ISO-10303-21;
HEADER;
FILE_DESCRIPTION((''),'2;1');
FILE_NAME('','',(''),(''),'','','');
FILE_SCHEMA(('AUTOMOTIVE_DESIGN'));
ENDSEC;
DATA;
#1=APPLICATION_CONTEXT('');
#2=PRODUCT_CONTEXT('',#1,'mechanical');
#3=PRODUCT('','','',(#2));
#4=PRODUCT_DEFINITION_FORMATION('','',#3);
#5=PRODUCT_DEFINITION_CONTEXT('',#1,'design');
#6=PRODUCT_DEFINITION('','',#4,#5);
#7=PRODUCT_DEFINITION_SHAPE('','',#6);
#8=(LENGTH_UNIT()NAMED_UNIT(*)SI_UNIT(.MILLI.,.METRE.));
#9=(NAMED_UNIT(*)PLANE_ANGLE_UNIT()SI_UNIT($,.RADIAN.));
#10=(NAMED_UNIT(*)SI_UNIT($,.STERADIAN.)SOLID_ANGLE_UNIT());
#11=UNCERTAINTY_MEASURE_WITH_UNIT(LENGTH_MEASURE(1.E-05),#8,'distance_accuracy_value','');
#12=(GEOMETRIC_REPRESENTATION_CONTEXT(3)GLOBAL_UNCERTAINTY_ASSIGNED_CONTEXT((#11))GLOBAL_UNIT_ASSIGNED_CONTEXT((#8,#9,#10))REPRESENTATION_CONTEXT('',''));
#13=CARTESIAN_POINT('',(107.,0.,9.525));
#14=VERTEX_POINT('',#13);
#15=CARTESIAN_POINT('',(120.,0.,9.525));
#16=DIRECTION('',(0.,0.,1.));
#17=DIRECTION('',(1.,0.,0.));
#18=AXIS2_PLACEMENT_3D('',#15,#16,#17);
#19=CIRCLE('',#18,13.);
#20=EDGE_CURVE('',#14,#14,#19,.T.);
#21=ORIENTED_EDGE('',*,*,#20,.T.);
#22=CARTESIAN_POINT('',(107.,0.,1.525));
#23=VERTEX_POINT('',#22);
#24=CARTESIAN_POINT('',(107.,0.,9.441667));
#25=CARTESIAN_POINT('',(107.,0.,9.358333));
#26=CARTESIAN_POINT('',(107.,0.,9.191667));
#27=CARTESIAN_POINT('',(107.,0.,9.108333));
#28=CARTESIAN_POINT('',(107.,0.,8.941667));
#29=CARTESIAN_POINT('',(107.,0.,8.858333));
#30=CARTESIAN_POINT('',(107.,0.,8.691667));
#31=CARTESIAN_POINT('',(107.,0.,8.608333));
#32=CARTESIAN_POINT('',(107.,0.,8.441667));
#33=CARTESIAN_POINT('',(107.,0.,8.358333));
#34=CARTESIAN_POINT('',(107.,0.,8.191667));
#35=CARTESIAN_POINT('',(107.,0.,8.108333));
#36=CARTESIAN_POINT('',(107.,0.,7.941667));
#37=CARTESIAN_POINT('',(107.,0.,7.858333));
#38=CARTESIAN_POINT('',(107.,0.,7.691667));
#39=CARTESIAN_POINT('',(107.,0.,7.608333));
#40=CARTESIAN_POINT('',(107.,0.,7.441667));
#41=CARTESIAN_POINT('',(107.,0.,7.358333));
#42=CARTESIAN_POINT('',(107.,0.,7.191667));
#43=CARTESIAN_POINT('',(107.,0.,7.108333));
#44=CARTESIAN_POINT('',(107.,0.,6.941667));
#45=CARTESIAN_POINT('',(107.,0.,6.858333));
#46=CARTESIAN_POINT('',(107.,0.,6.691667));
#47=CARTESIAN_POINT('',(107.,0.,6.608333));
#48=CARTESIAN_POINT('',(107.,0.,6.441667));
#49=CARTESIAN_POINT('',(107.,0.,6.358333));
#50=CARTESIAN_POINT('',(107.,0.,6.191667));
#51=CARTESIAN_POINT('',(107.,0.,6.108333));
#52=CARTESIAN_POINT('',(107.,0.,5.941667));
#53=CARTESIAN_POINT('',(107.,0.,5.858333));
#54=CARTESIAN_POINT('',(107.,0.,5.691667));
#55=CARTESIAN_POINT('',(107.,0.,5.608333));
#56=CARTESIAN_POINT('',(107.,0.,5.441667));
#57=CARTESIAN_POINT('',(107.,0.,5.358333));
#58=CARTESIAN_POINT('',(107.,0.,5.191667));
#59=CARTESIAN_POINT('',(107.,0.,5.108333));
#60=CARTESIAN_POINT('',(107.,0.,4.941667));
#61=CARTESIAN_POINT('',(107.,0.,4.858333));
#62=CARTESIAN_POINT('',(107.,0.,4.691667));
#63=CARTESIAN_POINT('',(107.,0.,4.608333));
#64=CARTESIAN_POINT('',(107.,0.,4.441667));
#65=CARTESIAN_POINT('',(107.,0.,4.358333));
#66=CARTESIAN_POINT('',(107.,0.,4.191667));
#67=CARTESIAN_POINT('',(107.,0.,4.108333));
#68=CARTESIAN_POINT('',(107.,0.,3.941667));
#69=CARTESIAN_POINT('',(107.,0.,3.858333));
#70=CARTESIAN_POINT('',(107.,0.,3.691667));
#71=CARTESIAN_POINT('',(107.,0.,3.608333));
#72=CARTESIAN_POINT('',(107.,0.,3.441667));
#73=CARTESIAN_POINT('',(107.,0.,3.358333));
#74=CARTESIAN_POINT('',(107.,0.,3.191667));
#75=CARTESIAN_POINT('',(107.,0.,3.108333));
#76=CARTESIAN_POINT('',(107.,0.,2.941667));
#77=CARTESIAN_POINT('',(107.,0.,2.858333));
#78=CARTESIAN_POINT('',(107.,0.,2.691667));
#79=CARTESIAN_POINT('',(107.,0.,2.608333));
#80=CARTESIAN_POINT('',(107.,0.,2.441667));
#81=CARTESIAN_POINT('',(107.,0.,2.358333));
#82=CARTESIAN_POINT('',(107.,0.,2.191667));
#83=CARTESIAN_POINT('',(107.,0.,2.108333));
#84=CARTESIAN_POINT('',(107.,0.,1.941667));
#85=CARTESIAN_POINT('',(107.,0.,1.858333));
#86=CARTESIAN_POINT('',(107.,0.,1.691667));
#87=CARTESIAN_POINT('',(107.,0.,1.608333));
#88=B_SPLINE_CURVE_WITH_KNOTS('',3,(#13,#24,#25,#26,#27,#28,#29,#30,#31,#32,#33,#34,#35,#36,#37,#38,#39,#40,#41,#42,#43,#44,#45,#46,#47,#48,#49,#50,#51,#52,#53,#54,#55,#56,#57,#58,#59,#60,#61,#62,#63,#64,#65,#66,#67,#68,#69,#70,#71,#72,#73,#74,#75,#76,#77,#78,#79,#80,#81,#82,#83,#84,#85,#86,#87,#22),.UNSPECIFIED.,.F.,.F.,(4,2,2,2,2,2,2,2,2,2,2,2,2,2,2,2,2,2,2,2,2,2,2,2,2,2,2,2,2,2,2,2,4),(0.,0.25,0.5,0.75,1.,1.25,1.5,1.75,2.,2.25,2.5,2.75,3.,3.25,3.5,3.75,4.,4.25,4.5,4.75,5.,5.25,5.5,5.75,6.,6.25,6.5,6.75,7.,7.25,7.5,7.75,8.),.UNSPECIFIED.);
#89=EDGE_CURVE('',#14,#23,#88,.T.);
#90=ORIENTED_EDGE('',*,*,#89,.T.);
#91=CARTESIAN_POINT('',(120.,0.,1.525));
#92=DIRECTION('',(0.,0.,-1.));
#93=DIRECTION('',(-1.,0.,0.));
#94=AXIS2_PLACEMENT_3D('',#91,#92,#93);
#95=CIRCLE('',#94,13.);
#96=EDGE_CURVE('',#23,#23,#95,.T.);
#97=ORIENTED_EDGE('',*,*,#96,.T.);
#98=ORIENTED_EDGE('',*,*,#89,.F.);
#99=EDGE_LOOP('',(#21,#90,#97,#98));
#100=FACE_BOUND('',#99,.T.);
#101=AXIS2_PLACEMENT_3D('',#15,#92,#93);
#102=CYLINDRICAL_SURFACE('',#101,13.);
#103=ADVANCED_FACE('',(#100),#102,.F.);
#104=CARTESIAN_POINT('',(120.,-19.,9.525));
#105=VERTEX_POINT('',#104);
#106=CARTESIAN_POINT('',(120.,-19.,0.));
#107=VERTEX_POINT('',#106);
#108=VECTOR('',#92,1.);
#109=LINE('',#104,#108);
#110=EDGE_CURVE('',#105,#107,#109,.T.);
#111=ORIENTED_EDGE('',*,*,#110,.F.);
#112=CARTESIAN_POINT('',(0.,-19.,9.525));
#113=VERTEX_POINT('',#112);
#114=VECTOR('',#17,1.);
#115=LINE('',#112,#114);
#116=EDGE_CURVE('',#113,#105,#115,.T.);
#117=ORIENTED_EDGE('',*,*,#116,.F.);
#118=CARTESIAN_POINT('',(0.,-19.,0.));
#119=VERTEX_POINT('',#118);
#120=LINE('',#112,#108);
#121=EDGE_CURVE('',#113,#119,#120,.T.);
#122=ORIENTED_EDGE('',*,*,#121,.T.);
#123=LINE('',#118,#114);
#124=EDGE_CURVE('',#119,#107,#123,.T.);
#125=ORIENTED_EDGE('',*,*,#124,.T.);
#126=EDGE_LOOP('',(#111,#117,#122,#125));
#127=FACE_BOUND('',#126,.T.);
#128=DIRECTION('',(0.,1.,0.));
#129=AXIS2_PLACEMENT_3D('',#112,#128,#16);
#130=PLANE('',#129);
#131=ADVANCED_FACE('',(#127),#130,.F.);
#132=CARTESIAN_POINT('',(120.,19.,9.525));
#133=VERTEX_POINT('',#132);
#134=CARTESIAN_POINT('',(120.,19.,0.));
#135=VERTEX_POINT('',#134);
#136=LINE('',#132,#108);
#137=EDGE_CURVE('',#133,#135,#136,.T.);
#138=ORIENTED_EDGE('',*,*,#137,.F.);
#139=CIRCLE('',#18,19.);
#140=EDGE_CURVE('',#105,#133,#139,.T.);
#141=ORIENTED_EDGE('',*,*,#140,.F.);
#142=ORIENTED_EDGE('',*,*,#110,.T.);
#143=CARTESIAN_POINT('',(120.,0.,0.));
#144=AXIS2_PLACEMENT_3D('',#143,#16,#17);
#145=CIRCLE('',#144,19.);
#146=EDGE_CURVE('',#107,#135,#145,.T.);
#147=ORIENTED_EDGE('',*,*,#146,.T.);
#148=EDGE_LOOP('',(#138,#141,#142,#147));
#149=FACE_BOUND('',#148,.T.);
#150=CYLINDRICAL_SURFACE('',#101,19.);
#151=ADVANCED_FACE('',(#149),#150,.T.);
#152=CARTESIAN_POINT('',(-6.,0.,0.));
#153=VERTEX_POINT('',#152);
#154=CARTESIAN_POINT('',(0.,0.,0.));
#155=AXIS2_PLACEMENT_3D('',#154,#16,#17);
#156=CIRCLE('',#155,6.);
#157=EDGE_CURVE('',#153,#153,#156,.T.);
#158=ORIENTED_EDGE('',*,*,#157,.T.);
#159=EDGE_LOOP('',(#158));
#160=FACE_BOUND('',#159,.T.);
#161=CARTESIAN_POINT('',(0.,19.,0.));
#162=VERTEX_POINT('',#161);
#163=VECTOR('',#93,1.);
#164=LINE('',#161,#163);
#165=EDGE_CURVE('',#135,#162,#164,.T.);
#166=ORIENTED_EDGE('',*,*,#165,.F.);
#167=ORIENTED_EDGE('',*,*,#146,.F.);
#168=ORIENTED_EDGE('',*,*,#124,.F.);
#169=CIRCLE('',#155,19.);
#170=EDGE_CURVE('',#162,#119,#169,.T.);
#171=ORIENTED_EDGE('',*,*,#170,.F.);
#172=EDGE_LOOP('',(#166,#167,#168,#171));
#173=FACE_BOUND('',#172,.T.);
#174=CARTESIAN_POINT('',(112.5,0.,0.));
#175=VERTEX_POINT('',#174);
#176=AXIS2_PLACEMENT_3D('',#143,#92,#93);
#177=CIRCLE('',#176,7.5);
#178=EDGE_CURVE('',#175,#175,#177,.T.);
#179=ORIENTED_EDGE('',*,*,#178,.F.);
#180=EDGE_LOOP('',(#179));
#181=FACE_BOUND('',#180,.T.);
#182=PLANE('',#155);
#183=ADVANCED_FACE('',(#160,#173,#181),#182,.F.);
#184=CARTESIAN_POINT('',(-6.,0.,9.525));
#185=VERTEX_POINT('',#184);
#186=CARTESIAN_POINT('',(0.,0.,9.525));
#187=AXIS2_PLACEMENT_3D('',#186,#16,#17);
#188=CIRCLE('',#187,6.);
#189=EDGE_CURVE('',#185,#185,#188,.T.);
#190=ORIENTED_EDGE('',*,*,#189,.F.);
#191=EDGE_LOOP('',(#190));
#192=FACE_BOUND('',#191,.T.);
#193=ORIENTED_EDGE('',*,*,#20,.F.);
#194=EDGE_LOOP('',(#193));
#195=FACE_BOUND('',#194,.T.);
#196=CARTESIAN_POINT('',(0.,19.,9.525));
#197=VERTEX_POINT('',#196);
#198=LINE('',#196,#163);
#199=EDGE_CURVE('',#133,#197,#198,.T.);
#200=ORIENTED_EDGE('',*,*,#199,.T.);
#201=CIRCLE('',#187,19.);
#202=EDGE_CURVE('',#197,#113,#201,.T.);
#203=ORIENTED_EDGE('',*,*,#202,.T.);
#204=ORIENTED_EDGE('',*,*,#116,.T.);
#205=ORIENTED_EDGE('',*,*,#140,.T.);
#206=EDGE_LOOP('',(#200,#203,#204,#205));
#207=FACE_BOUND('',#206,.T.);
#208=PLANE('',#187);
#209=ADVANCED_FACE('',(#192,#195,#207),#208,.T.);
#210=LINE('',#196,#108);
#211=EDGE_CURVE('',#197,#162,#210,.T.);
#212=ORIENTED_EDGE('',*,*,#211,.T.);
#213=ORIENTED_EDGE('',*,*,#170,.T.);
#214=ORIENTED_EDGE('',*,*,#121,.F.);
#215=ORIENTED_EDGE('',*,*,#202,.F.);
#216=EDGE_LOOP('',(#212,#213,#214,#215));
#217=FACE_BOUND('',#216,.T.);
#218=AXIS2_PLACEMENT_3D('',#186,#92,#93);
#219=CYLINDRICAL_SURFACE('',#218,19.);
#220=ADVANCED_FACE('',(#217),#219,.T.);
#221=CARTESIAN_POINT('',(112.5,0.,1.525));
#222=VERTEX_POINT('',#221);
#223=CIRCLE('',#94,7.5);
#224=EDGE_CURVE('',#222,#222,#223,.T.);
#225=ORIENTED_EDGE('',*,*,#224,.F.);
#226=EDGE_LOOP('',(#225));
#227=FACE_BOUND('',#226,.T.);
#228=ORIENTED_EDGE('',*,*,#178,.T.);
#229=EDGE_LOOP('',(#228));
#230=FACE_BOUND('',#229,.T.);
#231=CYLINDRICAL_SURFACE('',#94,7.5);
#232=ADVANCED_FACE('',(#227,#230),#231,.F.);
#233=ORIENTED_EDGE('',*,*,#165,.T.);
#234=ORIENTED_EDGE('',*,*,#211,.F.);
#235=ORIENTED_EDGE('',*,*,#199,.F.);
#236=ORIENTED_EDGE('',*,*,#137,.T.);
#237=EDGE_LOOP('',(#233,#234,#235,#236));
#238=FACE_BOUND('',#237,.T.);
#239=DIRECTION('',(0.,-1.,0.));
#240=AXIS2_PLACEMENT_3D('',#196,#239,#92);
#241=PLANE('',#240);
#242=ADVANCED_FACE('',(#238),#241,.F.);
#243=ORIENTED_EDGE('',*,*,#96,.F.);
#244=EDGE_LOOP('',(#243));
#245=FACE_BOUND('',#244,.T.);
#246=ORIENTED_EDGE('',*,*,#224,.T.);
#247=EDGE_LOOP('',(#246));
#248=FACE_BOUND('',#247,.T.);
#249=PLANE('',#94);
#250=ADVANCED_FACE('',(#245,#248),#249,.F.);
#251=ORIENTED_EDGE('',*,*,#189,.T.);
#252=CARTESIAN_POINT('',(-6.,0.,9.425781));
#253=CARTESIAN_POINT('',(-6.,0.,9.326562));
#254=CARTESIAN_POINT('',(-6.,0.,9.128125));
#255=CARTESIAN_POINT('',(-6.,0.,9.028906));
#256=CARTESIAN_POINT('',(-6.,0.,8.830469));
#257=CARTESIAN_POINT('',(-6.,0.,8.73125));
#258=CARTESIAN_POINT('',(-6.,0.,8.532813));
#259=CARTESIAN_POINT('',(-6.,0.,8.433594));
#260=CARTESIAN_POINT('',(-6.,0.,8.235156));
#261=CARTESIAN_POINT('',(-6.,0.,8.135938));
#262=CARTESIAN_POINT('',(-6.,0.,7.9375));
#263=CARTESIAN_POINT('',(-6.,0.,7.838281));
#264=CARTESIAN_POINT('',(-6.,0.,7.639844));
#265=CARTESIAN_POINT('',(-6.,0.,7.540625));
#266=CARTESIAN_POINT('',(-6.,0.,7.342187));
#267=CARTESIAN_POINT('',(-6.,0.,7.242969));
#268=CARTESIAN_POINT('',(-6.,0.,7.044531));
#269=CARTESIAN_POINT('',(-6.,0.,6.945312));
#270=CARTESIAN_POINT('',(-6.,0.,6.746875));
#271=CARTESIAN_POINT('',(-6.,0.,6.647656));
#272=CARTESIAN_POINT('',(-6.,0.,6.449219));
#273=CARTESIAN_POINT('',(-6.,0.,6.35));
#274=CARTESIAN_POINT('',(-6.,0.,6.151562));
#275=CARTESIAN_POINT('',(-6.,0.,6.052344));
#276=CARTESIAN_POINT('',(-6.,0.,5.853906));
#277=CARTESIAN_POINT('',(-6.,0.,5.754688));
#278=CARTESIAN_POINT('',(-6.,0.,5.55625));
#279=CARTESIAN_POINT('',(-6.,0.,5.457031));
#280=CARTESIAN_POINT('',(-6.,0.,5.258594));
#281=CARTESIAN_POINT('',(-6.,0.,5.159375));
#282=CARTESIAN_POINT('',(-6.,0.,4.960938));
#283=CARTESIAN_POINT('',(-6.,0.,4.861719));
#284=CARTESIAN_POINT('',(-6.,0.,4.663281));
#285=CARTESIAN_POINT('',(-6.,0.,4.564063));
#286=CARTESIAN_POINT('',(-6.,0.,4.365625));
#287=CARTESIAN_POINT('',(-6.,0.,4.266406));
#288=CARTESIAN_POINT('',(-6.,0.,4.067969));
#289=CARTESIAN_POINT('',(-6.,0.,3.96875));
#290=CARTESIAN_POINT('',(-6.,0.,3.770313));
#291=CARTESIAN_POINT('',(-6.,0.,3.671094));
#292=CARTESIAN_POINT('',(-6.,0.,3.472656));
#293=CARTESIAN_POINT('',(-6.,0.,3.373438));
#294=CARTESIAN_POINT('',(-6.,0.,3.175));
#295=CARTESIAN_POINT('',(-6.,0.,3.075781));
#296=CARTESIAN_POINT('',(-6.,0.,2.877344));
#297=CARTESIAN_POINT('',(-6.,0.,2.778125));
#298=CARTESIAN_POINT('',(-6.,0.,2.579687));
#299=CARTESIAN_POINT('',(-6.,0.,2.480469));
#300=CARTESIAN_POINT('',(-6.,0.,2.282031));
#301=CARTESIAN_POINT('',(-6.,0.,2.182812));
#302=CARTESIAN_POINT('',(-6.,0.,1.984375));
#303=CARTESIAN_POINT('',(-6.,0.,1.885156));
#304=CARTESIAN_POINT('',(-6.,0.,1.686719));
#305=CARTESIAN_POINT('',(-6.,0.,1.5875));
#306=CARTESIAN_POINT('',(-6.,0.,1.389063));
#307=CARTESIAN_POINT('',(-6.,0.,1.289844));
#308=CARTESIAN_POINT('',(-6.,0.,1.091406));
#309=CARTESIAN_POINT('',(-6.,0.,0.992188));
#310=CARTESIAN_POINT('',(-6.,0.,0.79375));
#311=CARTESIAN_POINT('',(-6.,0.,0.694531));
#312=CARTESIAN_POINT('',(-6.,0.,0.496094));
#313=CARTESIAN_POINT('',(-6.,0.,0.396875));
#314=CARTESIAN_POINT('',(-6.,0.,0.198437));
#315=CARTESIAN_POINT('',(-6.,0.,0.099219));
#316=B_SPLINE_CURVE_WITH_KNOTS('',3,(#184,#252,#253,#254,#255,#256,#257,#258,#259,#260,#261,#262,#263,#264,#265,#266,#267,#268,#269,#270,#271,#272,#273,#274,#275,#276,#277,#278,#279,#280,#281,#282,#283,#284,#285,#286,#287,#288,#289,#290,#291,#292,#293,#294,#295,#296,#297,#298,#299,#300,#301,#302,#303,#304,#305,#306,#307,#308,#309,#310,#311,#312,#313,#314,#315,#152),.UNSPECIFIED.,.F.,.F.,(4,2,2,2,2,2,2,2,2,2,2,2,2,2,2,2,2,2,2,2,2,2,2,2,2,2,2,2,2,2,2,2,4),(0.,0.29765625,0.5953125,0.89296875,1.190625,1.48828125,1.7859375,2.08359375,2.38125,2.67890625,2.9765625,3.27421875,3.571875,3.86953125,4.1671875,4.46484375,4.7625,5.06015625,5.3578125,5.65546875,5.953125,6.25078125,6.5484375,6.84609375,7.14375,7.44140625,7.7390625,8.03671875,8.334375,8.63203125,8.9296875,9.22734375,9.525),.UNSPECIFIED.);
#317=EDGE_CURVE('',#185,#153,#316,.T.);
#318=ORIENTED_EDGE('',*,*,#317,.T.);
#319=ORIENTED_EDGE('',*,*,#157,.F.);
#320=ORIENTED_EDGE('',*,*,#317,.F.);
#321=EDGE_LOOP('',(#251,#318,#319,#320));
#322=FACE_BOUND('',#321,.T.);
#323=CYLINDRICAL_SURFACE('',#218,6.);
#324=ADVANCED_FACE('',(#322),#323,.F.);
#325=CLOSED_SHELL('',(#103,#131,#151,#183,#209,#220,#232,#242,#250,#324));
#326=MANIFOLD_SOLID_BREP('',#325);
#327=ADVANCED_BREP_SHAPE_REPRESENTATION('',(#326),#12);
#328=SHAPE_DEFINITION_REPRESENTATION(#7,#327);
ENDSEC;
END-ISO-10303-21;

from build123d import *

# Parameters (mm, degrees)
CROQUIS1_R              = 6
CROQUIS1_R_2            = 13
SALIENTE_EXTRUIR1_DEPTH = 9.525
CROQUIS2_R              = 13
CROQUIS2_R_2            = 7.5
SALIENTE_EXTRUIR2_DEPTH = 1.525


with BuildPart() as part:
    # Croquis1 → Saliente-Extruir1 (new body)
    with BuildSketch(Plane.XY):
        with BuildLine():
            Line((0, 19), (120, 19))
            ThreePointArc((120, 19), (139, 0), (120, -19))
            Line((120, -19), (0, -19))
            ThreePointArc((0, -19), (-19, 0), (0, 19))
        make_face()
        with Locations(Location((0, 0, 0), (0, 0, 180))):
            Circle(CROQUIS1_R, mode=Mode.SUBTRACT)
        with Locations(Location((120, 0, 0), (0, 0, 180))):
            Circle(CROQUIS1_R_2, mode=Mode.SUBTRACT)
    extrude(amount=SALIENTE_EXTRUIR1_DEPTH)

    # Croquis2 → Saliente-Extruir2 (add)
    with BuildSketch(Plane(origin=(0, 0, 0), x_dir=(-1, 0, 0), z_dir=(0, 0, -1))):
        with Locations((-120, 0)):
            Circle(CROQUIS2_R)
        with Locations((-120, 0)):
            Circle(CROQUIS2_R_2, mode=Mode.SUBTRACT)
    extrude(amount=-SALIENTE_EXTRUIR2_DEPTH)


solid = part.part
